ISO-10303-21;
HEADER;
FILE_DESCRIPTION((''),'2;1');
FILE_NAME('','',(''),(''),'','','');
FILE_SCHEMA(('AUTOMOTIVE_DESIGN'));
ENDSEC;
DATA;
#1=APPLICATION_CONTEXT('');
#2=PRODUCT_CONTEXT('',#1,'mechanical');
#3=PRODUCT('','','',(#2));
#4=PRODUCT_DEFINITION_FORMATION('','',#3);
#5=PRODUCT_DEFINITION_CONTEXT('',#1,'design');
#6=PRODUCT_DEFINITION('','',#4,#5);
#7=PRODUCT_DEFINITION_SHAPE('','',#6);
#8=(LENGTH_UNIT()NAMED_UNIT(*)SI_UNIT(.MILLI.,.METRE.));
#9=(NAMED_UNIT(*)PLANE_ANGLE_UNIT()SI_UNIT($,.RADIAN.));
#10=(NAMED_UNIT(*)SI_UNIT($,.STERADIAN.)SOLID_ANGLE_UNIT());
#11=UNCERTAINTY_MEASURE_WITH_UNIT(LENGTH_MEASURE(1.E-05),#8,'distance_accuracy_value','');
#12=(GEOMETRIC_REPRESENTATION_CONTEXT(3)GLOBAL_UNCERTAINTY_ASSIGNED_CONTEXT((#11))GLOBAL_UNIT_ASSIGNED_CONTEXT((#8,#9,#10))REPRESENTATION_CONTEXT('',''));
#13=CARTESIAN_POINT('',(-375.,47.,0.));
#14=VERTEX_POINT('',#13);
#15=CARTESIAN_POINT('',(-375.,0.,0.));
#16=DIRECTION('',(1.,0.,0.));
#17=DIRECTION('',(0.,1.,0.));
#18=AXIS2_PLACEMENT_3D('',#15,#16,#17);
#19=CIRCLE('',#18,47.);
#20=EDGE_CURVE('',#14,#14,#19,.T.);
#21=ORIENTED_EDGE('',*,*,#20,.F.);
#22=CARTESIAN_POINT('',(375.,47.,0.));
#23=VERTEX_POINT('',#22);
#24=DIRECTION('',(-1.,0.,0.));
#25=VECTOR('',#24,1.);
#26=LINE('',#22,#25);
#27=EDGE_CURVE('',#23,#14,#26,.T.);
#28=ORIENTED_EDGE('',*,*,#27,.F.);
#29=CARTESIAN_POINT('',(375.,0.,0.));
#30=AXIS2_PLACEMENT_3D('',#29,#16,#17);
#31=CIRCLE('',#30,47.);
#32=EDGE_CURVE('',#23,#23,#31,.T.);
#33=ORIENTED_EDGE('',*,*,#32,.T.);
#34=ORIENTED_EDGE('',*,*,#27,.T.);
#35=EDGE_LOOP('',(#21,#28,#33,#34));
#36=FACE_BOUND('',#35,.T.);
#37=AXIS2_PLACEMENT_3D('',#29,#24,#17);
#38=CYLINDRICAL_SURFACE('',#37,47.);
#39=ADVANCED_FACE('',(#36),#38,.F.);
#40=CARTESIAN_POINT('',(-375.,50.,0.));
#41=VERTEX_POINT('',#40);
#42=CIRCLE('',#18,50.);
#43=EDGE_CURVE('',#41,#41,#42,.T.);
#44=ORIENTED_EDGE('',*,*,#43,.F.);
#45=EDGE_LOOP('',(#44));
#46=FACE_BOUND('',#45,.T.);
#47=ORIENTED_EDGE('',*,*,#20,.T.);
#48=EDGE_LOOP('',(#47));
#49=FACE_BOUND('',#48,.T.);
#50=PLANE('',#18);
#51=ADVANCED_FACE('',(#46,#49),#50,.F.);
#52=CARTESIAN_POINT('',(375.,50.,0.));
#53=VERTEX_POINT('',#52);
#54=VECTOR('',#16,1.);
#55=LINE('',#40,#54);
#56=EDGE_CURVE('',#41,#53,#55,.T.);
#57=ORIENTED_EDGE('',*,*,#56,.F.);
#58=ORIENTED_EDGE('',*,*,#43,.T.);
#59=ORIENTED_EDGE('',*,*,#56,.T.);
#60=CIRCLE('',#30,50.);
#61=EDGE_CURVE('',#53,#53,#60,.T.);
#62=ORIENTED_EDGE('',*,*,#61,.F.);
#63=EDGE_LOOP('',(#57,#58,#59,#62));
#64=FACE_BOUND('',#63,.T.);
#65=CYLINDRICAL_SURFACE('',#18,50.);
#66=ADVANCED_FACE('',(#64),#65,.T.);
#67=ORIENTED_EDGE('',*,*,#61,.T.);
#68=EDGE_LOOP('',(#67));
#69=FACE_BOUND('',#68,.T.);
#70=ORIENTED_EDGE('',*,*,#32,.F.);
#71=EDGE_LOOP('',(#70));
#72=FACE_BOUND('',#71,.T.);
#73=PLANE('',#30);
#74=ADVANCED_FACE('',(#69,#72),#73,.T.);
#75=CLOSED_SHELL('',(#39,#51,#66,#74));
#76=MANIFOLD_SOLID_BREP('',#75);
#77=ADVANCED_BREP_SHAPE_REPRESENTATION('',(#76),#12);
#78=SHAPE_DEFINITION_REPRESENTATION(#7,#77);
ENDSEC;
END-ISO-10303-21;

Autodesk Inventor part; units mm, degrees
ref_plane "YZ Plane" through (0, 0, 0) normal (1, 0, 0) x (0, 1, 0)
ref_plane "XZ Plane" through (0, 0, 0) normal (0, 1, 0) x (-1, 0, 0)
ref_plane "XY Plane" through (0, 0, 0) normal (0, 0, 1) x (1, 0, 0)
sketch "Esboço1" plane through (0, 0, 0) normal (0, 0, 1) x (1, 0, 0)
  line L0 (-375, 50) -> (375, 50)
  line L1 (375, 50) -> (375, 47)
  line L2 (375, 47) -> (-375, 47)
  line L3 (-375, 47) -> (-375, 50)
  line L4 (-375, 50) -> (375, 47) construction
  line L5 (375, 50) -> (-375, 47) construction
  line L6 (-525, 0) -> (525, 0) projected
  point P0 (0, 0)
  point P1 (0, 48.5)
  dimension "d0" = 750
  dimension "d1" = 50
  dimension "d2" = 3
revolve "Revolução1" add sketch "Esboço1" angle 360 about axis through (-10, 0, 0) along (1, 0, 0)
properties part number "peca_002_001" material "Alumínio 6061"
